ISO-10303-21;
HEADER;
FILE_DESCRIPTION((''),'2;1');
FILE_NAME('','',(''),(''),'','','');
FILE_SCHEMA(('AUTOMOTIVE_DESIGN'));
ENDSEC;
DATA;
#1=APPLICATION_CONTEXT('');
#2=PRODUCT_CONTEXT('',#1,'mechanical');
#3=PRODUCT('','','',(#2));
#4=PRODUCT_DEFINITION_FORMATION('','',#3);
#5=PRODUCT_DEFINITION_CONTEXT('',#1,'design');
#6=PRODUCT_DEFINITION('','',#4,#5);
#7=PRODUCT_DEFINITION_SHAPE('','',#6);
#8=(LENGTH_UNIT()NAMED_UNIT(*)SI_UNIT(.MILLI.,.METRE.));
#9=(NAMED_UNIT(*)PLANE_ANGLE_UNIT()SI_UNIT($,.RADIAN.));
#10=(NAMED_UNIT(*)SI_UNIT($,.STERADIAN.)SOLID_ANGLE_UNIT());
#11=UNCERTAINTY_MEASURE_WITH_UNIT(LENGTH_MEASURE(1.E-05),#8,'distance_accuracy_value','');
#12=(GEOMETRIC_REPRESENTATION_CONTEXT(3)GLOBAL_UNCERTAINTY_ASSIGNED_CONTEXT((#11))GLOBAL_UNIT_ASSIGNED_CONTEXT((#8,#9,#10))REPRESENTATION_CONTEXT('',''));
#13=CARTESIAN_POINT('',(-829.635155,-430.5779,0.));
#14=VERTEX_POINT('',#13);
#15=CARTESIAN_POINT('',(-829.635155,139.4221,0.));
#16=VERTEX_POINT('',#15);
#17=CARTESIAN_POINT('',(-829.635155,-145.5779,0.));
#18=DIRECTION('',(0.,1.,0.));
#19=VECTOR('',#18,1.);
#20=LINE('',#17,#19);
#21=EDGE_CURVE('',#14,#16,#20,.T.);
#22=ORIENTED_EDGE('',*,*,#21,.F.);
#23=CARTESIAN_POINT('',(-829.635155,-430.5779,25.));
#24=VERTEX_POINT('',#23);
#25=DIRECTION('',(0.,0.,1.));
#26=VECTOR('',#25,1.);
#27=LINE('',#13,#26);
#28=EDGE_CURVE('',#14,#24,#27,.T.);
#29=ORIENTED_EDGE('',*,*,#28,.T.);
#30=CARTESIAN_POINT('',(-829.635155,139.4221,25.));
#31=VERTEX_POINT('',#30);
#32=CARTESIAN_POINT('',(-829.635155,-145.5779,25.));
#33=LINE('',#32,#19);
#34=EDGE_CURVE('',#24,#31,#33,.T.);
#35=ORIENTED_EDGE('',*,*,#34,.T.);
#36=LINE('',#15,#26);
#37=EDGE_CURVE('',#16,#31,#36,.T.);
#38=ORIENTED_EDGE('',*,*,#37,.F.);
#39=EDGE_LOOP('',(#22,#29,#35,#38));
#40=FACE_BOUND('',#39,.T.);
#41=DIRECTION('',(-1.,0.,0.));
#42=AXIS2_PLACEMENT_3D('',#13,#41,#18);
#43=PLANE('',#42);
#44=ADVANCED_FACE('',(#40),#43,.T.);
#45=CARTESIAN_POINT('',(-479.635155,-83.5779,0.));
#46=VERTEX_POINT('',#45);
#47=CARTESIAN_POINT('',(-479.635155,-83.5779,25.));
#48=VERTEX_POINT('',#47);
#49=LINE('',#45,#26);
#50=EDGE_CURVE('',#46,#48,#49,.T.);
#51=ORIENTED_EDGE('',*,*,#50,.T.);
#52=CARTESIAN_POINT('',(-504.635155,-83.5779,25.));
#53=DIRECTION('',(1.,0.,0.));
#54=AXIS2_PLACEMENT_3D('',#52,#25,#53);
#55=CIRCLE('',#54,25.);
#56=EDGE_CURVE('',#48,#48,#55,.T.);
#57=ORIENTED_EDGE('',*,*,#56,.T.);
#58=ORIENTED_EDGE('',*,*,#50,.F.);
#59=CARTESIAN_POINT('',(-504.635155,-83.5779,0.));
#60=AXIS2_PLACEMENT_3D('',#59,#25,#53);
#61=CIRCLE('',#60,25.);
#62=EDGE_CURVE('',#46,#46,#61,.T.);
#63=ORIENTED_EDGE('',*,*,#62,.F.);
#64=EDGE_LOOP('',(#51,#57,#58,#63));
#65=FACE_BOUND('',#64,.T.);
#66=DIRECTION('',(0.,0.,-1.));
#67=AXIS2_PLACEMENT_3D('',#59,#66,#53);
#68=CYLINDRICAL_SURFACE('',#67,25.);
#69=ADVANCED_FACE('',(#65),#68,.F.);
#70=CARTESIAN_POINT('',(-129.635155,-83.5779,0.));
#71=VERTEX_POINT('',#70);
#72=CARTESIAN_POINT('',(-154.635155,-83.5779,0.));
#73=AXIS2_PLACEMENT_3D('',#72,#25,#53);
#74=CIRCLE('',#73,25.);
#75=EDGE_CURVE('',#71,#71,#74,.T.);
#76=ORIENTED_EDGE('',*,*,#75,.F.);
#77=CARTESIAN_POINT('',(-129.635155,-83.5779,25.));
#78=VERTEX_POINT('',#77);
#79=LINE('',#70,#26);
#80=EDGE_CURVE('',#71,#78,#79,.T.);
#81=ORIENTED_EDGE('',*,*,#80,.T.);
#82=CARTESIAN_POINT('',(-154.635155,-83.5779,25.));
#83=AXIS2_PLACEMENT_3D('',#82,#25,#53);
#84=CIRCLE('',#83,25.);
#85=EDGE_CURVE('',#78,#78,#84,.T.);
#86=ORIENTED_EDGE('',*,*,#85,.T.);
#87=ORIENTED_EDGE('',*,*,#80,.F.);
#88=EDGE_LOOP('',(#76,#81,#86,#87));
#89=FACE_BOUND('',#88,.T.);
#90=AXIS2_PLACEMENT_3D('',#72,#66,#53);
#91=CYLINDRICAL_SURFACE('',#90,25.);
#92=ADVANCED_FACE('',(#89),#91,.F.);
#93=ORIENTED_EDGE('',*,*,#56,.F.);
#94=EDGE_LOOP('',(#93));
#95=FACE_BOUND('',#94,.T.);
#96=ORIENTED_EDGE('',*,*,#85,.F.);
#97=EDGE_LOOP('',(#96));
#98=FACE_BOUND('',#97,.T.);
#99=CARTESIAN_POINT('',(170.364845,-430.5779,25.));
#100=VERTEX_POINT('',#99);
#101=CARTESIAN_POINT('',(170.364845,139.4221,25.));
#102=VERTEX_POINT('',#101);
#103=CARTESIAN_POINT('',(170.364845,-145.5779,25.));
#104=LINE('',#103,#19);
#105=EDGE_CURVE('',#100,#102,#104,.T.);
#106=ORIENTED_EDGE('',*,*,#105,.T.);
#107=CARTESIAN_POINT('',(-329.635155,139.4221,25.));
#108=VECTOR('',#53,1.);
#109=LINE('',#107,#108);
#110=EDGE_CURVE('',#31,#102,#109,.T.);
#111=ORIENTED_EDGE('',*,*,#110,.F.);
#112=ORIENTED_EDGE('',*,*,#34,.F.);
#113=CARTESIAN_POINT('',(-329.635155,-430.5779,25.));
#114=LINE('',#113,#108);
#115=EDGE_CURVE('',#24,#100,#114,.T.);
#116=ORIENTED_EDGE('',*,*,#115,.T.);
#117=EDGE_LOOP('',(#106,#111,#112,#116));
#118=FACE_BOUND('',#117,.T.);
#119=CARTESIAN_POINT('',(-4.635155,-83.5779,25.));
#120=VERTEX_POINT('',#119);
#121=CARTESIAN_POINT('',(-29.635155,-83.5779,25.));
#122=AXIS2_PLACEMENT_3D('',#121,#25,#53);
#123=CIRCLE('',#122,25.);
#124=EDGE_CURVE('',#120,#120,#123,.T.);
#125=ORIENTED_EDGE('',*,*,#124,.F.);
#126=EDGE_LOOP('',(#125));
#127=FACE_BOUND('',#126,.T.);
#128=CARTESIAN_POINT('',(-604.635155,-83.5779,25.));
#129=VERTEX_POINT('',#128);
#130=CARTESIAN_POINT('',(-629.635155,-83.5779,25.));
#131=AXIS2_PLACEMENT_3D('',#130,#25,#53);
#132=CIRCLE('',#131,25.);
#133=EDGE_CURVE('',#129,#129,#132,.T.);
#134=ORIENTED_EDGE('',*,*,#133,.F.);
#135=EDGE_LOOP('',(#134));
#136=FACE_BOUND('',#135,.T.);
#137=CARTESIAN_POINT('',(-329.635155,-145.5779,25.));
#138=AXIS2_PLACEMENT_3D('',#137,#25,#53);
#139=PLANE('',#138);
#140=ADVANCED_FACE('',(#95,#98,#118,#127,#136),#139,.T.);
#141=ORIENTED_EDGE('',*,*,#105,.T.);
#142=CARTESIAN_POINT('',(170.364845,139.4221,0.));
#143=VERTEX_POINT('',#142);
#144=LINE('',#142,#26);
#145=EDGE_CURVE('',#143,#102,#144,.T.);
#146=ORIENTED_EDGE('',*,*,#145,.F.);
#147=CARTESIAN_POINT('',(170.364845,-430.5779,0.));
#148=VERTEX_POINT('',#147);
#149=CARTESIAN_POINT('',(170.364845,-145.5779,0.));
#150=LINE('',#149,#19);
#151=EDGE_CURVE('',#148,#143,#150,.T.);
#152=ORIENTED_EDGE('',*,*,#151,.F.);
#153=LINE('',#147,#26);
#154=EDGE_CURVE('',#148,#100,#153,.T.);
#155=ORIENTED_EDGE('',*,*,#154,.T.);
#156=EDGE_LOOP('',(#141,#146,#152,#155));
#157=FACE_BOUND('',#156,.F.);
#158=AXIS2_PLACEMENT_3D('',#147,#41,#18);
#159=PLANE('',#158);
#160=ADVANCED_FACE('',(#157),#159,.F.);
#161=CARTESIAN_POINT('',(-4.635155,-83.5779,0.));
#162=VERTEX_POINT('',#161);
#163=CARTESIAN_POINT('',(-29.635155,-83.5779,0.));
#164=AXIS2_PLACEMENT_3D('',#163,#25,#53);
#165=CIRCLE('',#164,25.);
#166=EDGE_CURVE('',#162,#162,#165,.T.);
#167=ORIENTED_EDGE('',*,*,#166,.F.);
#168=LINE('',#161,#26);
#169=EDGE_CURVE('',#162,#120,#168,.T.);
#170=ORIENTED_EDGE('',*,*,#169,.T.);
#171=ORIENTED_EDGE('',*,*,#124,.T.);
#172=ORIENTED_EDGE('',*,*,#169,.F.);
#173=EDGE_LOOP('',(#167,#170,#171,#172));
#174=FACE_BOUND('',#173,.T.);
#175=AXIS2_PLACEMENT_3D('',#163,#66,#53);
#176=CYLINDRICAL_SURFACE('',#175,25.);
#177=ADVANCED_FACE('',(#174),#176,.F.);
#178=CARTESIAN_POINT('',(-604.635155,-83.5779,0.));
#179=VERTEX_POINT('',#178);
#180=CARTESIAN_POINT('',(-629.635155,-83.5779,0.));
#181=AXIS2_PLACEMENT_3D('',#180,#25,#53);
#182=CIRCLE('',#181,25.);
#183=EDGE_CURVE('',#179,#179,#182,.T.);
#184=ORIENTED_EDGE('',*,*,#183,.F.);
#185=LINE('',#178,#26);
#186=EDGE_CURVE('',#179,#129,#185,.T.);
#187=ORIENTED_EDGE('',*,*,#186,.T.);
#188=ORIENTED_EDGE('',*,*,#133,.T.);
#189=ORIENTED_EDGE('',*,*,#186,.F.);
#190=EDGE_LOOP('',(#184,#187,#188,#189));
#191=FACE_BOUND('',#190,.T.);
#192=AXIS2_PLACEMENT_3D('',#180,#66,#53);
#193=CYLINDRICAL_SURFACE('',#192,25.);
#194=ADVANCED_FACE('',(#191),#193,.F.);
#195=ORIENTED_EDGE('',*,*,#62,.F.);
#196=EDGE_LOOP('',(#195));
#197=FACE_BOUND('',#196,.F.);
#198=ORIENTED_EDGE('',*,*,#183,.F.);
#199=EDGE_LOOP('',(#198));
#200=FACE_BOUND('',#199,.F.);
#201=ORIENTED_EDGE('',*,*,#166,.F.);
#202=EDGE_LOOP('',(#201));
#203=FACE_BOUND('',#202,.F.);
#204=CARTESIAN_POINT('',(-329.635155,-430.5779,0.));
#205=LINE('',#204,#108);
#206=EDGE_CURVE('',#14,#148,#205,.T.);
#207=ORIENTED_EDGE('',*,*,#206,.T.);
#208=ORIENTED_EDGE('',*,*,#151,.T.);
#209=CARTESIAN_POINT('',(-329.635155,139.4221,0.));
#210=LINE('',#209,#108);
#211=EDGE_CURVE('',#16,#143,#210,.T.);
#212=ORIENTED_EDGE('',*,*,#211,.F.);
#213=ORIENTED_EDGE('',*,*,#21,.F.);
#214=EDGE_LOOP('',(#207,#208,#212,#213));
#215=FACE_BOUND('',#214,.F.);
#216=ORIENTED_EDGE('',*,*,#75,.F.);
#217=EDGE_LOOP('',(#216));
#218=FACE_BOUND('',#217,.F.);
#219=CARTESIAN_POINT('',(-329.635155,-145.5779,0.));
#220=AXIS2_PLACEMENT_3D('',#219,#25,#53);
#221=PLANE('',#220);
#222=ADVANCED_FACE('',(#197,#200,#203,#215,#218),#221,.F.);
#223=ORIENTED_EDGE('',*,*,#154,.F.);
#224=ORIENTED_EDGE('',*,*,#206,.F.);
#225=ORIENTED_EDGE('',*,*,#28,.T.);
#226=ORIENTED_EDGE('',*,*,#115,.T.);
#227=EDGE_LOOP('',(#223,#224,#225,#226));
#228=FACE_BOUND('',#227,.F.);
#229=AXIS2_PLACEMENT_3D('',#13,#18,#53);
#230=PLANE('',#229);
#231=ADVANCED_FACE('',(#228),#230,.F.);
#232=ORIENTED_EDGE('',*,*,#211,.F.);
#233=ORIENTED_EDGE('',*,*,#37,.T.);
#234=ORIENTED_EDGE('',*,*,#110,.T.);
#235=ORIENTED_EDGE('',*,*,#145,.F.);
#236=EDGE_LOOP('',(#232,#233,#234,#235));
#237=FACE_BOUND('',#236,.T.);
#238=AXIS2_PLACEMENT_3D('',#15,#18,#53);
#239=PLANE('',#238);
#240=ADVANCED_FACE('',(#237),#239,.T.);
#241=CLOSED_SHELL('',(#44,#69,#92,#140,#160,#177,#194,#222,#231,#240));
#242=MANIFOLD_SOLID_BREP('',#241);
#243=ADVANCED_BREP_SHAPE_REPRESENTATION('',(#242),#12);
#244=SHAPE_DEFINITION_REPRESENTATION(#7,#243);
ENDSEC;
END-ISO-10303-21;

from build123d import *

# Parameters (mm, degrees)
F0_W     = 1000
F0_H     = 570
F0_R     = 25
F1_DEPTH = 25
F2_DEPTH = 25
F3_DEPTH = 25


with BuildPart() as f1:
    # F0 (on Top) → F1 (new body)
    with BuildSketch(Plane.XY):
        with Locations((-329.635155, -145.5779)):
            Rectangle(F0_W, F0_H)
        with Locations((-629.635155, -83.5779)):
            Circle(F0_R, mode=Mode.SUBTRACT)
        with Locations((-504.635155, -83.5779)):
            Circle(F0_R, mode=Mode.SUBTRACT)
        with Locations((-154.635155, -83.5779)):
            Circle(F0_R, mode=Mode.SUBTRACT)
        with Locations((-29.635155, -83.5779)):
            Circle(F0_R, mode=Mode.SUBTRACT)
    extrude(amount=F1_DEPTH)

    # F0 (on Top) → F2 (join)
    with BuildSketch(Plane.XY):
        with Locations((-329.635155, -145.5779)):
            Rectangle(F0_W, F0_H)
        with Locations((-629.635155, -83.5779)):
            Circle(F0_R, mode=Mode.SUBTRACT)
        with Locations((-504.635155, -83.5779)):
            Circle(F0_R, mode=Mode.SUBTRACT)
        with Locations((-154.635155, -83.5779)):
            Circle(F0_R, mode=Mode.SUBTRACT)
        with Locations((-29.635155, -83.5779)):
            Circle(F0_R, mode=Mode.SUBTRACT)
    extrude(amount=F2_DEPTH)

    # F0 (on Top) → F3 (join)
    with BuildSketch(Plane.XY):
        with Locations((-329.635155, -145.5779)):
            Rectangle(F0_W, F0_H)
        with Locations((-629.635155, -83.5779)):
            Circle(F0_R, mode=Mode.SUBTRACT)
        with Locations((-504.635155, -83.5779)):
            Circle(F0_R, mode=Mode.SUBTRACT)
        with Locations((-154.635155, -83.5779)):
            Circle(F0_R, mode=Mode.SUBTRACT)
        with Locations((-29.635155, -83.5779)):
            Circle(F0_R, mode=Mode.SUBTRACT)
    extrude(amount=F3_DEPTH)


solid = f1.part
